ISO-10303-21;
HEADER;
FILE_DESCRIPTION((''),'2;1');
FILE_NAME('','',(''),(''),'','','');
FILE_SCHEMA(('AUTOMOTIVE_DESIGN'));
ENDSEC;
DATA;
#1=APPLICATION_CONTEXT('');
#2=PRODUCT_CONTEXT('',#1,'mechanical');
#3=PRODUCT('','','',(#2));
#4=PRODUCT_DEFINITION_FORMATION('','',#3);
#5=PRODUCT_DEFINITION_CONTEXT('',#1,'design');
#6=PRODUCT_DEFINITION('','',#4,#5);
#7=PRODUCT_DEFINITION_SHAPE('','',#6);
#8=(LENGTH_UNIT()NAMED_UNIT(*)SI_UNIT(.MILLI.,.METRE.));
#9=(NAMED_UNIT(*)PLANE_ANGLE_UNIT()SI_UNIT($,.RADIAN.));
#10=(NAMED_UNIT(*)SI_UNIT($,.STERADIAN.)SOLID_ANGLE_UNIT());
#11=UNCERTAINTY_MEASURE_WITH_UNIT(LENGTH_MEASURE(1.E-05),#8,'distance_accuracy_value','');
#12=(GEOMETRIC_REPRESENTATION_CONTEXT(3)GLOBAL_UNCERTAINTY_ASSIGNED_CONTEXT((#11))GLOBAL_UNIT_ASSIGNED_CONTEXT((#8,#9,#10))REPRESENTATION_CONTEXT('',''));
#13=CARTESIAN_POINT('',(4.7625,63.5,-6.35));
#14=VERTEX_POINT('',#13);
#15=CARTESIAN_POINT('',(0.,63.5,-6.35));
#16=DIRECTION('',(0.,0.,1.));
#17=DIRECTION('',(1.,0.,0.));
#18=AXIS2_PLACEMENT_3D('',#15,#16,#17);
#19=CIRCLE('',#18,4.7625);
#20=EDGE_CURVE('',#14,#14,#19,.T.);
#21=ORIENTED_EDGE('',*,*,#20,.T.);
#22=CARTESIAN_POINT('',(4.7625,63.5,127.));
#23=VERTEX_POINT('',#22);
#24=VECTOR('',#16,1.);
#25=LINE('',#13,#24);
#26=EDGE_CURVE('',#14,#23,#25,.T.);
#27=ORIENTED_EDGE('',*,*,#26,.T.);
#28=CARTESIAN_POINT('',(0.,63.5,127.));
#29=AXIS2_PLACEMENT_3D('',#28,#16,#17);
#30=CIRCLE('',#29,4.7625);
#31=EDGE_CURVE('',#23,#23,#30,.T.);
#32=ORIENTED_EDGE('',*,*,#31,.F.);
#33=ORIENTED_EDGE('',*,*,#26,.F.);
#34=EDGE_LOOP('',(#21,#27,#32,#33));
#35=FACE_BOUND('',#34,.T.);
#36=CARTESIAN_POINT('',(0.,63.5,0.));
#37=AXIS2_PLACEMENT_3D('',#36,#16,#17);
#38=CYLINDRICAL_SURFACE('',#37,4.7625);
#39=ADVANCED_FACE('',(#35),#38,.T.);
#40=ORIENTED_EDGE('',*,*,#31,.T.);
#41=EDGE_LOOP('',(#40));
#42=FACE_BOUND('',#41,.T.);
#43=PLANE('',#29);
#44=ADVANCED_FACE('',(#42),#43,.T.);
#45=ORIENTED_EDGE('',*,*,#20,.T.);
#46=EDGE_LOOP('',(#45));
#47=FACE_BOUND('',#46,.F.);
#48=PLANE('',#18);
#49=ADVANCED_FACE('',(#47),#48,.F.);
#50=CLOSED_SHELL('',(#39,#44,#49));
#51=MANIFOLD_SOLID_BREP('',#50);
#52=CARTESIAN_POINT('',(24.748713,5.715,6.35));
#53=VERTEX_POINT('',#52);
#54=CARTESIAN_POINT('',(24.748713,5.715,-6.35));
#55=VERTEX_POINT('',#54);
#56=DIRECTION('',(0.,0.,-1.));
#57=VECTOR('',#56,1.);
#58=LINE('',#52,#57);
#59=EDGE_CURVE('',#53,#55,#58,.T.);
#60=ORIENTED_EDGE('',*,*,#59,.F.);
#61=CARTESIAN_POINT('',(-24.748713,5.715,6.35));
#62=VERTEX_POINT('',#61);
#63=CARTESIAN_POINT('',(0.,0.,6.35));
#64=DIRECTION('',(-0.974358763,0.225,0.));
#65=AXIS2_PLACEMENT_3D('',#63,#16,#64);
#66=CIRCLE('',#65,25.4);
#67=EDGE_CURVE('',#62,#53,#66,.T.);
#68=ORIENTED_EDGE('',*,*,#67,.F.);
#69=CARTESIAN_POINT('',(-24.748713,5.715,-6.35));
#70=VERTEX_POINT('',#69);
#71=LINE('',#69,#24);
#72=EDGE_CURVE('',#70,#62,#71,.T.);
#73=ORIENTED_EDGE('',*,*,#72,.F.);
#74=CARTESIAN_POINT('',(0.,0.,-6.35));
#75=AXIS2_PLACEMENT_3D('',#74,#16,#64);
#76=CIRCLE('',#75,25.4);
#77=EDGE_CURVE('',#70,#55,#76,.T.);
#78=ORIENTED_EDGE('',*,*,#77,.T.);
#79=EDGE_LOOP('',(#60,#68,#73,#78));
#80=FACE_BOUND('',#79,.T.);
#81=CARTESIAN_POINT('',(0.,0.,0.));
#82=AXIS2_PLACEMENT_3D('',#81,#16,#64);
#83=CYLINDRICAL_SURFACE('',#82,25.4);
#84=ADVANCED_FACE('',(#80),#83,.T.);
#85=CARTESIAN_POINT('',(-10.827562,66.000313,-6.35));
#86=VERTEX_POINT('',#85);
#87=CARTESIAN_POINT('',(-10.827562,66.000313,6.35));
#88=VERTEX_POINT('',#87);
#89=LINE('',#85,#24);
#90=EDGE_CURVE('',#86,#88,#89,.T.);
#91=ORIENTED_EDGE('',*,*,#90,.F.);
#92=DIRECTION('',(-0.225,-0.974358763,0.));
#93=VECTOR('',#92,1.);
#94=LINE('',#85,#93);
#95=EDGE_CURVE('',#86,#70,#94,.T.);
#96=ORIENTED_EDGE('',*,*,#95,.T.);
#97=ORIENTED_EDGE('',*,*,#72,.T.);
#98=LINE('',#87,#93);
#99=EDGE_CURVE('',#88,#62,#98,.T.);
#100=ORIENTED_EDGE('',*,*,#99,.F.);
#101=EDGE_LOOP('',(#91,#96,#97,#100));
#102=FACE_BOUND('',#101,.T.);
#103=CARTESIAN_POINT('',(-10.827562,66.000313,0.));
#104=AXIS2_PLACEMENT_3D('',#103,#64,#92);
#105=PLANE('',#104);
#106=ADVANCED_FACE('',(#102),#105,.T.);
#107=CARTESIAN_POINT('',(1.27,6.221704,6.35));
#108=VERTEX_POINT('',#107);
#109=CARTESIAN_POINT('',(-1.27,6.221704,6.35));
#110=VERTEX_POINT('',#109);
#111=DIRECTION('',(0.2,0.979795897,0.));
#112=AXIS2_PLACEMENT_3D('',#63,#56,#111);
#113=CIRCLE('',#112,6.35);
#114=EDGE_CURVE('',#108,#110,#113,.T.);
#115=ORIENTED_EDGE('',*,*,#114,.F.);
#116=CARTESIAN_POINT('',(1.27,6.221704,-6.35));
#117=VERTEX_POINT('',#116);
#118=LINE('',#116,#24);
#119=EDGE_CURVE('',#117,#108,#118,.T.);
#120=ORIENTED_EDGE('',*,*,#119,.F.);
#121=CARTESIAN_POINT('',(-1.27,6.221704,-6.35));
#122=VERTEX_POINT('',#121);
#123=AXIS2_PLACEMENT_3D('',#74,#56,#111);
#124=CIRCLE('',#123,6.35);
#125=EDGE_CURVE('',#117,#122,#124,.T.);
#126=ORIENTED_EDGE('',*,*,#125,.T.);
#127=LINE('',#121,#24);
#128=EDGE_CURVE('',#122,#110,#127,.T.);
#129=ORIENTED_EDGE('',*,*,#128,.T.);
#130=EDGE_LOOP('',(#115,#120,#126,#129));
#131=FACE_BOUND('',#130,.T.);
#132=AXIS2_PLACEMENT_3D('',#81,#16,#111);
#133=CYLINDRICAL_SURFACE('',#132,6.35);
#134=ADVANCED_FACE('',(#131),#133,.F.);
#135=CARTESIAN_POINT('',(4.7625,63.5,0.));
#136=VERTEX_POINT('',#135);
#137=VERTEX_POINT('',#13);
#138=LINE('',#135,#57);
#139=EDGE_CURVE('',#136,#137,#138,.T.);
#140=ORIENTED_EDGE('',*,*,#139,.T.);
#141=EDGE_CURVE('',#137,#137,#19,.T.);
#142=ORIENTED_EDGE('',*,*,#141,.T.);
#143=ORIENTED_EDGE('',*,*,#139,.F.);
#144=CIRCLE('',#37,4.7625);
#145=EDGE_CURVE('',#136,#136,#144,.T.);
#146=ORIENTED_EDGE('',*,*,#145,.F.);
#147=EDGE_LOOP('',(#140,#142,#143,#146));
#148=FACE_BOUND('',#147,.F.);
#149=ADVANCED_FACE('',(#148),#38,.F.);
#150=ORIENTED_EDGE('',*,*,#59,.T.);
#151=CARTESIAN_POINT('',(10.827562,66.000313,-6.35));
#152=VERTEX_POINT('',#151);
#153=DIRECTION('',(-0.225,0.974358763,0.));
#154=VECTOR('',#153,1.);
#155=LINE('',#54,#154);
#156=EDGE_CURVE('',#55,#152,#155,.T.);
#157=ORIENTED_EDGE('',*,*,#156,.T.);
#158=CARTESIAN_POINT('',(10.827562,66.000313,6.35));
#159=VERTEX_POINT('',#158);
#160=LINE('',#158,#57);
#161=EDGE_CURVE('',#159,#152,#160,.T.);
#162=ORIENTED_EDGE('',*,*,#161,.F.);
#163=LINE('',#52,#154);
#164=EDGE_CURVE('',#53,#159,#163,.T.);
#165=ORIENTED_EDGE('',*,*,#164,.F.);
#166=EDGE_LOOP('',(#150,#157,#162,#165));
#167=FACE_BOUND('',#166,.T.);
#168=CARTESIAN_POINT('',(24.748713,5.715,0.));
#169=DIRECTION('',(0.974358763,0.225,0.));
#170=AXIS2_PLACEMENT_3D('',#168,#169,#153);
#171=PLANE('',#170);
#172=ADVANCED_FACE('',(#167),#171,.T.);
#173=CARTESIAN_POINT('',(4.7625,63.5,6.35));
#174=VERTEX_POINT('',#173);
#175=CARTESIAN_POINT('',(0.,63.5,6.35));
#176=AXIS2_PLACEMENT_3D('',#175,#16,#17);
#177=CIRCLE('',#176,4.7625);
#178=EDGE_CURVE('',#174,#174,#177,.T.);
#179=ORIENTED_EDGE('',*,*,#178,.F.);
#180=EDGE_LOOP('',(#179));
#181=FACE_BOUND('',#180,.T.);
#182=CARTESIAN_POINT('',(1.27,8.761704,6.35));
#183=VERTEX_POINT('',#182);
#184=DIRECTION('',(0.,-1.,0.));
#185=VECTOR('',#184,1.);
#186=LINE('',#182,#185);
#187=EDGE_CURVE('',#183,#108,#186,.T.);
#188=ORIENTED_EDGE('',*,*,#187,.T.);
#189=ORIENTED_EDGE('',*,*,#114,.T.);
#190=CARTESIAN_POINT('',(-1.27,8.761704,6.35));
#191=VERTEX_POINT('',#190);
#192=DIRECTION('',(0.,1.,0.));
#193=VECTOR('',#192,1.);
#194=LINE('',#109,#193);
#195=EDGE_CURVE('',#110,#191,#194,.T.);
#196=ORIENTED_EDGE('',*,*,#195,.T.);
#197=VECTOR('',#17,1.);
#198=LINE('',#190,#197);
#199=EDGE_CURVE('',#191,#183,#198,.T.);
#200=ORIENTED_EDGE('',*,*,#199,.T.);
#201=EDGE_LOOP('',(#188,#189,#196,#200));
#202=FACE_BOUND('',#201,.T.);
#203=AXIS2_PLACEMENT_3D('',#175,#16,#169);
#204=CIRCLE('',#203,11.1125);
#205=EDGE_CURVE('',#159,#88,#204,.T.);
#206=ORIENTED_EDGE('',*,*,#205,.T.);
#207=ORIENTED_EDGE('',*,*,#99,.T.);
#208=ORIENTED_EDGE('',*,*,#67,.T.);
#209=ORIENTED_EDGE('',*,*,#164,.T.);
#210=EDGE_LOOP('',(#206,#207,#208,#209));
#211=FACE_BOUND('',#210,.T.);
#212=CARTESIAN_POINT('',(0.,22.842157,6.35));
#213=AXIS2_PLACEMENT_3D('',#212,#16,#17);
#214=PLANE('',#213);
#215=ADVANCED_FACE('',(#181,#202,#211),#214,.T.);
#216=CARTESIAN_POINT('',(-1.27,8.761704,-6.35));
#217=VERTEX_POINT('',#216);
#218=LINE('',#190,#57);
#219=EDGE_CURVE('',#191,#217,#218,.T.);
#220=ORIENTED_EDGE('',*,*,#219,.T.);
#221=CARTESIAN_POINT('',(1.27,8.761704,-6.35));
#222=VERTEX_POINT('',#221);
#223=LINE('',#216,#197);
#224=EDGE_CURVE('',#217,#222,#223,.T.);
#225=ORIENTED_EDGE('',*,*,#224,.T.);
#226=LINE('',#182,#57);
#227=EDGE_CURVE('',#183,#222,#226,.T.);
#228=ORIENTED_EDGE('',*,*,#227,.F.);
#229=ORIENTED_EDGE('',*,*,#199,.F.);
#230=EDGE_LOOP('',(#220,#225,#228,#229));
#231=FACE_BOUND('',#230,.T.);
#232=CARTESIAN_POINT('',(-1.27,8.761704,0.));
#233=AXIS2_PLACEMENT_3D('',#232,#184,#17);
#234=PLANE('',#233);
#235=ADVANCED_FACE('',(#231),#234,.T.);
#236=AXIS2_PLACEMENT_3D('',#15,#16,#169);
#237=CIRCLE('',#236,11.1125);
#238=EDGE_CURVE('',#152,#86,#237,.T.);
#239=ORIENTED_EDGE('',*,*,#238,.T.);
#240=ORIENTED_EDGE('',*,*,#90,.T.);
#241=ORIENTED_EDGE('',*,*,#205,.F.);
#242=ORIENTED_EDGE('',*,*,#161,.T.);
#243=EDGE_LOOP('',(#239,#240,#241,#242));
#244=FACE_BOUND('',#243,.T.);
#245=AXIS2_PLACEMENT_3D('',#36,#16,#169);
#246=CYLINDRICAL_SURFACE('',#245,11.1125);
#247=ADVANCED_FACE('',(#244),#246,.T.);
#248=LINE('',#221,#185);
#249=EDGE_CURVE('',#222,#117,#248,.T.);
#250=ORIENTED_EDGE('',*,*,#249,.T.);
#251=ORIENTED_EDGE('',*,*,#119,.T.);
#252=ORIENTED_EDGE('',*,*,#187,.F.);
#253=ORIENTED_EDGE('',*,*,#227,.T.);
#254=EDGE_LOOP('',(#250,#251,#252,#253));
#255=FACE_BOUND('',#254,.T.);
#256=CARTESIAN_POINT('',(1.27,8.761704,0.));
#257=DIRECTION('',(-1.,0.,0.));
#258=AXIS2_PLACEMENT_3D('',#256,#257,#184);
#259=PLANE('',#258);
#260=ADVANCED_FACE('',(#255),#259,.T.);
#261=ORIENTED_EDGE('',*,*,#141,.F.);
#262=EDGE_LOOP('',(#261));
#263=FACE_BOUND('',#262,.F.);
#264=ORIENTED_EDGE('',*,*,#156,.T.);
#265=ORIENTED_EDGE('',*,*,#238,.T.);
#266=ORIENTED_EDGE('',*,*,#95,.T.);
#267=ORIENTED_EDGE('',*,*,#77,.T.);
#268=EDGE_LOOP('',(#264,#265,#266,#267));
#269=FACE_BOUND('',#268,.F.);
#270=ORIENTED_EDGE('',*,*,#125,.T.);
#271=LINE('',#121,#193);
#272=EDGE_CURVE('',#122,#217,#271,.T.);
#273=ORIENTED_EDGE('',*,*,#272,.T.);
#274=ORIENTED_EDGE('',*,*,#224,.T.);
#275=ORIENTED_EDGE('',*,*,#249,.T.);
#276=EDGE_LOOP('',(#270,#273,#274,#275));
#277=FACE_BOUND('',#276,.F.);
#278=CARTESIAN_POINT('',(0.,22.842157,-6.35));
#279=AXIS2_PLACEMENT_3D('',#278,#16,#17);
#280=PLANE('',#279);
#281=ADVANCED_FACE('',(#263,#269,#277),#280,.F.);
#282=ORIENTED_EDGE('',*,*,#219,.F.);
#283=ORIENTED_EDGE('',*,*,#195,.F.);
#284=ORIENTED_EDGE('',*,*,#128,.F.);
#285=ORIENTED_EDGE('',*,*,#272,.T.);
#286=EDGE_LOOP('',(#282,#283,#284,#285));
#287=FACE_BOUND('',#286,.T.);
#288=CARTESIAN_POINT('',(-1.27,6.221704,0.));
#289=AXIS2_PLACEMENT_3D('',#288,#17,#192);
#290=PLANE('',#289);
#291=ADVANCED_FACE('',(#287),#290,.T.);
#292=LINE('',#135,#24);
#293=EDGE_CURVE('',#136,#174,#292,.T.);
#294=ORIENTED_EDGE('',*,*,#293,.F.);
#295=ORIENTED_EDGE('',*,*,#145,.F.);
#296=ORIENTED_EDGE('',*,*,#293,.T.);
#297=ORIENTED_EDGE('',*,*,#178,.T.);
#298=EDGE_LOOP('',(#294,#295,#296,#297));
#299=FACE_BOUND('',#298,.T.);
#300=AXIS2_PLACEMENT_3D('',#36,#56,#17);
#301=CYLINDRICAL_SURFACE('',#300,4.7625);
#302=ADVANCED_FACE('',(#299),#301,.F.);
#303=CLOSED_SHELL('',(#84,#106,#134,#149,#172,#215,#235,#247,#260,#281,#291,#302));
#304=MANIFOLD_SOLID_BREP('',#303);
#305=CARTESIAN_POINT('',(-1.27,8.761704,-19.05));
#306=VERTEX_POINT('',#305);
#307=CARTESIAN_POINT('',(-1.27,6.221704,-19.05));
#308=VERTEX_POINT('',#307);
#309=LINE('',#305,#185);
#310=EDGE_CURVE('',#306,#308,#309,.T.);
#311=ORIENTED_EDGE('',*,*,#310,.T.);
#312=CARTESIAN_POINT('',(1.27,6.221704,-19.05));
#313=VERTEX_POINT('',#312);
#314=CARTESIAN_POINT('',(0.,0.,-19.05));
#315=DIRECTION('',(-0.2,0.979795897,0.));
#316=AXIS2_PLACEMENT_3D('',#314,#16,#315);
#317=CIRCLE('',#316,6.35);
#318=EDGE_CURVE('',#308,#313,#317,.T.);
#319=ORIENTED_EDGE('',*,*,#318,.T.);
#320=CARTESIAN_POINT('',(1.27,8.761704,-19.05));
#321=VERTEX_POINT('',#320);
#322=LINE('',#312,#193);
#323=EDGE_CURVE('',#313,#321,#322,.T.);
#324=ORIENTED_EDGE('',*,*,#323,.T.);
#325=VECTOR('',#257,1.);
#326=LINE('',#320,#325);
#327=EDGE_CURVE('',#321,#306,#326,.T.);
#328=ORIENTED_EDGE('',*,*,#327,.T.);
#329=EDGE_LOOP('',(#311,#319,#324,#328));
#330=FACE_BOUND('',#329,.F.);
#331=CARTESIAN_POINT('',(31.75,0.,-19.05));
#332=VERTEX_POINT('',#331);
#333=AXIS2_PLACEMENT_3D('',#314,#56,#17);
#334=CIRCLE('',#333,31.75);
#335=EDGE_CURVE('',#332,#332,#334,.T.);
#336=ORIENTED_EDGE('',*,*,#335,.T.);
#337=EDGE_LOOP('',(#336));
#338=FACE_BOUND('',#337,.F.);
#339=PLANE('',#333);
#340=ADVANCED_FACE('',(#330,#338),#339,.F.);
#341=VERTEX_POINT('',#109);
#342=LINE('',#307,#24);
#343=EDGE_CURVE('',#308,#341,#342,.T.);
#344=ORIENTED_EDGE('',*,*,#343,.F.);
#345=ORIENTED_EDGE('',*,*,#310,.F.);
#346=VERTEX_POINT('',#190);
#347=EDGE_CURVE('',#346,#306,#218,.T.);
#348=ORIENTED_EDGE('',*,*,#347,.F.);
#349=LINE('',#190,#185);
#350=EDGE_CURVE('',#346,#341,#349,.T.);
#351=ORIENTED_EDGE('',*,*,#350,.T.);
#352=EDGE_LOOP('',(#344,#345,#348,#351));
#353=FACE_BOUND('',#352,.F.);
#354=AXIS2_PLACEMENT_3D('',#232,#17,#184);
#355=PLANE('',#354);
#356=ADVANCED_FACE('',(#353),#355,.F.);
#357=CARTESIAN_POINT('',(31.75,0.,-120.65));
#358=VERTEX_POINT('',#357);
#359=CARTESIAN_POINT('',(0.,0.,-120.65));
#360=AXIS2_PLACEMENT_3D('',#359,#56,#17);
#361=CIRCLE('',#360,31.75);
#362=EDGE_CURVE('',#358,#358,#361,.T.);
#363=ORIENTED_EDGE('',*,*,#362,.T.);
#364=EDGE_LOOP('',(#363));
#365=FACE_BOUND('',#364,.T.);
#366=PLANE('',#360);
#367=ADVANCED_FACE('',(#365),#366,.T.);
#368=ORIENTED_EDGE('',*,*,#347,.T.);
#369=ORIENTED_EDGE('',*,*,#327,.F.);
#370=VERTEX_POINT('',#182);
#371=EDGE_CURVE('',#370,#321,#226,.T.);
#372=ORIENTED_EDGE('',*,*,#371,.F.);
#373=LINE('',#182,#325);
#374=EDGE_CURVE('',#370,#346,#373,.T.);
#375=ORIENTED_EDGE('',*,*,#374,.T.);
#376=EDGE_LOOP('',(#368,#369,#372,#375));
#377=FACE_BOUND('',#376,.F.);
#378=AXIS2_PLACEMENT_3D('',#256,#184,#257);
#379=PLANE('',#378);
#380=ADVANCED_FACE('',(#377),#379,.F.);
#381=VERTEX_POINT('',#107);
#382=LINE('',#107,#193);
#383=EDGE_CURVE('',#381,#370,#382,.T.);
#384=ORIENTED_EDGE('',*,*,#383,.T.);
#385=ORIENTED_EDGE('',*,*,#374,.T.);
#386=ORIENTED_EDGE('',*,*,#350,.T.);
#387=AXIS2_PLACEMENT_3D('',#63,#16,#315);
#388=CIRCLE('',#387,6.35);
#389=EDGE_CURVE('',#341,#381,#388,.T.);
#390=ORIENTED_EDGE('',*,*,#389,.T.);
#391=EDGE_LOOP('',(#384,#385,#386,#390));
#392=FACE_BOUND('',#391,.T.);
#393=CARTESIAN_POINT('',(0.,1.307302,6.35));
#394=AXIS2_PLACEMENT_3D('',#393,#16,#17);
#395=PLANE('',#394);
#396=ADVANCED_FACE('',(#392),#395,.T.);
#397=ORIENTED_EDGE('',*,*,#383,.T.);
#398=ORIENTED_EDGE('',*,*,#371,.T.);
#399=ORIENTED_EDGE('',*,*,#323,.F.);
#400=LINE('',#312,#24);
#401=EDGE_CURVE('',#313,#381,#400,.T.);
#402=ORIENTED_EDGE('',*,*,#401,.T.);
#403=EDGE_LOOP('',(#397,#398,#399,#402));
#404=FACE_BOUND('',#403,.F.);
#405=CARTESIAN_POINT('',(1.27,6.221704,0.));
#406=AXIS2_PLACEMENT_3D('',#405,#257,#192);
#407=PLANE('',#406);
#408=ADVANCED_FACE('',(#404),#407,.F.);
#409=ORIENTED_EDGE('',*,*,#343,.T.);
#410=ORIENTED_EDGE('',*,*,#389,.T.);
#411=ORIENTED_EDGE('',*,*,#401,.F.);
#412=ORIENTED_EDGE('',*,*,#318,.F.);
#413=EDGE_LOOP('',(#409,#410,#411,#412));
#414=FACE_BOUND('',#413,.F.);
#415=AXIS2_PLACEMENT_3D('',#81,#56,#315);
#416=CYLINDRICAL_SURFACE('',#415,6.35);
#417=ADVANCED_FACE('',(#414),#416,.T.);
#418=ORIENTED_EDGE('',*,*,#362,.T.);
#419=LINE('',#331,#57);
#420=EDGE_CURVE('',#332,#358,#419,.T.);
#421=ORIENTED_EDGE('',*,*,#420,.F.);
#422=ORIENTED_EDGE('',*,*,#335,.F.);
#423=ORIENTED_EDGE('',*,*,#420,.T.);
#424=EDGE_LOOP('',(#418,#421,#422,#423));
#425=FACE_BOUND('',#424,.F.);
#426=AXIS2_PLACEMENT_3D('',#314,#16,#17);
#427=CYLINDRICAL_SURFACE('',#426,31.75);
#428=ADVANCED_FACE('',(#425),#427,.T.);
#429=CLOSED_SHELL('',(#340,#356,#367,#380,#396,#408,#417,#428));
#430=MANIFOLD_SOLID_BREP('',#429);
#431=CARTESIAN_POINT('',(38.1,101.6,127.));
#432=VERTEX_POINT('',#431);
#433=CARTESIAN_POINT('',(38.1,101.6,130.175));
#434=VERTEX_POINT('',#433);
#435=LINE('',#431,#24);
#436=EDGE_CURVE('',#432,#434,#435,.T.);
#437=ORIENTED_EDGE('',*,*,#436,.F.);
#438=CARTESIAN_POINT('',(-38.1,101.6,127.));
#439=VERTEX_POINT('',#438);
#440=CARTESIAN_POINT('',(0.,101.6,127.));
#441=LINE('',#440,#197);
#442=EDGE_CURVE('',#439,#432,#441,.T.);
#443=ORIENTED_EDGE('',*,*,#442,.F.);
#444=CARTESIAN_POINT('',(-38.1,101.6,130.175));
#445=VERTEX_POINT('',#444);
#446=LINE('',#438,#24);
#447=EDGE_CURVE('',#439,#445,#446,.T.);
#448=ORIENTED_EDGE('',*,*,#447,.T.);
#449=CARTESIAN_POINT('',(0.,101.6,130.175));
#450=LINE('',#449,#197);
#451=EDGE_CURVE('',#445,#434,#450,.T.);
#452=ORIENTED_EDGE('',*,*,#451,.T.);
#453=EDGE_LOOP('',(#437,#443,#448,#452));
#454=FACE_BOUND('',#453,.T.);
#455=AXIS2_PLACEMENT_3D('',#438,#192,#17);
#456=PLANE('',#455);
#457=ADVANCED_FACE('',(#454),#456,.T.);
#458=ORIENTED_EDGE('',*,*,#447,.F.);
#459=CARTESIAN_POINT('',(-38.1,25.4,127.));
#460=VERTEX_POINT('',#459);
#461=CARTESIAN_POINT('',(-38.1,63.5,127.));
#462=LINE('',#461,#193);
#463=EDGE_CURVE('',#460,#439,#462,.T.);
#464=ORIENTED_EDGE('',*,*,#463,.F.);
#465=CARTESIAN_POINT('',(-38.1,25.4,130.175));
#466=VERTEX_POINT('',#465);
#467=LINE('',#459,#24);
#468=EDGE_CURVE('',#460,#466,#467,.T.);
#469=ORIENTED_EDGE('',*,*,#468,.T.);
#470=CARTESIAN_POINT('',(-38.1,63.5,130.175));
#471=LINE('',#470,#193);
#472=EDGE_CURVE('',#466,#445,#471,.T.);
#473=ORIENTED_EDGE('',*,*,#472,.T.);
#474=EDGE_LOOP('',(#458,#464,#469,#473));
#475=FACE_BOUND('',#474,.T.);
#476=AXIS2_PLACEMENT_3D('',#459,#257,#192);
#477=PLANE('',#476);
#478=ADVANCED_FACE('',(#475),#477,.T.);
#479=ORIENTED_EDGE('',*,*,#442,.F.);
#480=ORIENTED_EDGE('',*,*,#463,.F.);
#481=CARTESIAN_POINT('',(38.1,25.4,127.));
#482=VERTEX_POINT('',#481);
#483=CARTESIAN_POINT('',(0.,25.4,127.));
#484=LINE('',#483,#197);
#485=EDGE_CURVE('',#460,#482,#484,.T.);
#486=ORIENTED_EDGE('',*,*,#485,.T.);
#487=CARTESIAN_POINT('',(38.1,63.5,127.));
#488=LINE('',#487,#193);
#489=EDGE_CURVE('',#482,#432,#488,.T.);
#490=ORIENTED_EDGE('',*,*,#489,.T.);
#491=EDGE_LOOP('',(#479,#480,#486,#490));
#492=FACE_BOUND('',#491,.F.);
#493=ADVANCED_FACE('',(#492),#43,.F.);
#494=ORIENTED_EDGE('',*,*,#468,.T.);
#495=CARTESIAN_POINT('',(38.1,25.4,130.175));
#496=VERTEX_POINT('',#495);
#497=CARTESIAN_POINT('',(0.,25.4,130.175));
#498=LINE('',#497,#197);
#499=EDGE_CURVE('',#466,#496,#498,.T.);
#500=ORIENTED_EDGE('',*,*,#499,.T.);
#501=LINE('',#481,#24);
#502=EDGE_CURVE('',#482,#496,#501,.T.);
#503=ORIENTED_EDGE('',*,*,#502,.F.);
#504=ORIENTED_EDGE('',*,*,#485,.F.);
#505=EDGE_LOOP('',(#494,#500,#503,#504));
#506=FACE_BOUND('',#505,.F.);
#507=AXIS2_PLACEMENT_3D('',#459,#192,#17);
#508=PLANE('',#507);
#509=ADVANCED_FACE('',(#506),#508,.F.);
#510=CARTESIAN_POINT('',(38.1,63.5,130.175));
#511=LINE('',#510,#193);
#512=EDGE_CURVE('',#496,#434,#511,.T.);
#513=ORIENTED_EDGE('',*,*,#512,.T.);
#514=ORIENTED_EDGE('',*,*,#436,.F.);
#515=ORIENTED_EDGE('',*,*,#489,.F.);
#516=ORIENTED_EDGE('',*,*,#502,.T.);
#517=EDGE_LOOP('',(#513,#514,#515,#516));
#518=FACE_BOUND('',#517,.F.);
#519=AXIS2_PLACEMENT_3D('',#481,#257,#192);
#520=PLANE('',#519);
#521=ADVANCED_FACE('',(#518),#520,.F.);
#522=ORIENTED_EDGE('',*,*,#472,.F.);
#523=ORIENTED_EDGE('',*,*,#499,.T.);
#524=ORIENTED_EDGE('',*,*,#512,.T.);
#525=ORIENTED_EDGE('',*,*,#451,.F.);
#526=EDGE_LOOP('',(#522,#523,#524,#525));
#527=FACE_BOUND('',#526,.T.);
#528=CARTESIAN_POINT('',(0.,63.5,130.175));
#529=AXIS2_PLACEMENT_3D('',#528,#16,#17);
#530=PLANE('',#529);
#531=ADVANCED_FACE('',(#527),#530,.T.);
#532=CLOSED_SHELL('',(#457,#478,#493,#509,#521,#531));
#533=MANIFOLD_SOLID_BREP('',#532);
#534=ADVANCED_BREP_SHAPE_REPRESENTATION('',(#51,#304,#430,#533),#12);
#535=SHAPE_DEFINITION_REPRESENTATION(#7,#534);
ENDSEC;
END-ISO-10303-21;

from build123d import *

# Parameters (mm, degrees)
F1_DEPTH      = 19.05
F1_DEPTH_BACK = 6.35
F2_R          = 31.75
F3_DEPTH      = 101.6
F4_R          = 4.7625
F5_DEPTH      = 127
F5_DEPTH_BACK = 6.35
F6_R          = 4.7625
F7_DEPTH      = 6.35
F7_DEPTH_BACK = 6.35
F8_W          = 76.2
F8_H          = 76.2
F9_DEPTH      = 3.175


with BuildPart() as f1:
    # F0 (on Top) → F1 (new body, two sides)
    with BuildSketch(Plane.XY) as f1_sk:
        with BuildLine():
            Line((-1.27, 8.7617039467), (-1.27, 6.2217039467))
            ThreePointArc((-1.27, 6.2217039467), (0, -6.35), (1.27, 6.2217039467))
            Line((1.27, 6.2217039467), (1.27, 8.7617039467))
            Line((1.27, 8.7617039467), (-1.27, 8.7617039467))
        make_face()
    extrude(amount=-F1_DEPTH)
    extrude(f1_sk.sketch, amount=F1_DEPTH_BACK)

    # F2 (on face) → F3 (join)
    with BuildSketch(Plane(origin=(0, 0, -19.05), x_dir=(1, 0, 0), z_dir=(0, 0, -1))):
        Circle(F2_R)
    extrude(amount=F3_DEPTH)


with BuildPart() as f5:
    # F4 (on Top) → F5 (new body, two sides)
    with BuildSketch(Plane.XY) as f5_sk:
        with Locations((0, 63.5)):
            Circle(F4_R)
    extrude(amount=F5_DEPTH)
    extrude(f5_sk.sketch, amount=-F5_DEPTH_BACK)


with BuildPart() as f7:
    # F6 (on Top) → F7 (new body, two sides)
    with BuildSketch(Plane.XY) as f7_sk:
        with BuildLine():
            ThreePointArc((10.8275617593, 66.0003125), (0, 74.6125), (-10.8275617593, 66.0003125))
            Line((-10.8275617593, 66.0003125), (-24.7487125928, 5.715))
            ThreePointArc((-24.7487125928, 5.715), (0, -25.4), (24.7487125928, 5.715))
            Line((24.7487125928, 5.715), (10.8275617593, 66.0003125))
        make_face()
        with BuildLine():
            ThreePointArc((1.27, 6.2217039467), (0, -6.35), (-1.27, 6.2217039467))
            Line((-1.27, 6.2217039467), (-1.27, 8.7617039467))
            Line((-1.27, 8.7617039467), (1.27, 8.7617039467))
            Line((1.27, 8.7617039467), (1.27, 6.2217039467))
        make_face(mode=Mode.SUBTRACT)
        with Locations((0, 63.5)):
            Circle(F6_R, mode=Mode.SUBTRACT)
    extrude(amount=F7_DEPTH)
    extrude(f7_sk.sketch, amount=-F7_DEPTH_BACK)


with BuildPart() as f9:
    # F8 (on face) → F9 (new body)
    with BuildSketch(Plane.XY.offset(127)):
        with Locations((0, 63.5)):
            Rectangle(F8_W, F8_H)
    extrude(amount=F9_DEPTH)


solid = Compound([f1.part, f5.part, f7.part, f9.part])
